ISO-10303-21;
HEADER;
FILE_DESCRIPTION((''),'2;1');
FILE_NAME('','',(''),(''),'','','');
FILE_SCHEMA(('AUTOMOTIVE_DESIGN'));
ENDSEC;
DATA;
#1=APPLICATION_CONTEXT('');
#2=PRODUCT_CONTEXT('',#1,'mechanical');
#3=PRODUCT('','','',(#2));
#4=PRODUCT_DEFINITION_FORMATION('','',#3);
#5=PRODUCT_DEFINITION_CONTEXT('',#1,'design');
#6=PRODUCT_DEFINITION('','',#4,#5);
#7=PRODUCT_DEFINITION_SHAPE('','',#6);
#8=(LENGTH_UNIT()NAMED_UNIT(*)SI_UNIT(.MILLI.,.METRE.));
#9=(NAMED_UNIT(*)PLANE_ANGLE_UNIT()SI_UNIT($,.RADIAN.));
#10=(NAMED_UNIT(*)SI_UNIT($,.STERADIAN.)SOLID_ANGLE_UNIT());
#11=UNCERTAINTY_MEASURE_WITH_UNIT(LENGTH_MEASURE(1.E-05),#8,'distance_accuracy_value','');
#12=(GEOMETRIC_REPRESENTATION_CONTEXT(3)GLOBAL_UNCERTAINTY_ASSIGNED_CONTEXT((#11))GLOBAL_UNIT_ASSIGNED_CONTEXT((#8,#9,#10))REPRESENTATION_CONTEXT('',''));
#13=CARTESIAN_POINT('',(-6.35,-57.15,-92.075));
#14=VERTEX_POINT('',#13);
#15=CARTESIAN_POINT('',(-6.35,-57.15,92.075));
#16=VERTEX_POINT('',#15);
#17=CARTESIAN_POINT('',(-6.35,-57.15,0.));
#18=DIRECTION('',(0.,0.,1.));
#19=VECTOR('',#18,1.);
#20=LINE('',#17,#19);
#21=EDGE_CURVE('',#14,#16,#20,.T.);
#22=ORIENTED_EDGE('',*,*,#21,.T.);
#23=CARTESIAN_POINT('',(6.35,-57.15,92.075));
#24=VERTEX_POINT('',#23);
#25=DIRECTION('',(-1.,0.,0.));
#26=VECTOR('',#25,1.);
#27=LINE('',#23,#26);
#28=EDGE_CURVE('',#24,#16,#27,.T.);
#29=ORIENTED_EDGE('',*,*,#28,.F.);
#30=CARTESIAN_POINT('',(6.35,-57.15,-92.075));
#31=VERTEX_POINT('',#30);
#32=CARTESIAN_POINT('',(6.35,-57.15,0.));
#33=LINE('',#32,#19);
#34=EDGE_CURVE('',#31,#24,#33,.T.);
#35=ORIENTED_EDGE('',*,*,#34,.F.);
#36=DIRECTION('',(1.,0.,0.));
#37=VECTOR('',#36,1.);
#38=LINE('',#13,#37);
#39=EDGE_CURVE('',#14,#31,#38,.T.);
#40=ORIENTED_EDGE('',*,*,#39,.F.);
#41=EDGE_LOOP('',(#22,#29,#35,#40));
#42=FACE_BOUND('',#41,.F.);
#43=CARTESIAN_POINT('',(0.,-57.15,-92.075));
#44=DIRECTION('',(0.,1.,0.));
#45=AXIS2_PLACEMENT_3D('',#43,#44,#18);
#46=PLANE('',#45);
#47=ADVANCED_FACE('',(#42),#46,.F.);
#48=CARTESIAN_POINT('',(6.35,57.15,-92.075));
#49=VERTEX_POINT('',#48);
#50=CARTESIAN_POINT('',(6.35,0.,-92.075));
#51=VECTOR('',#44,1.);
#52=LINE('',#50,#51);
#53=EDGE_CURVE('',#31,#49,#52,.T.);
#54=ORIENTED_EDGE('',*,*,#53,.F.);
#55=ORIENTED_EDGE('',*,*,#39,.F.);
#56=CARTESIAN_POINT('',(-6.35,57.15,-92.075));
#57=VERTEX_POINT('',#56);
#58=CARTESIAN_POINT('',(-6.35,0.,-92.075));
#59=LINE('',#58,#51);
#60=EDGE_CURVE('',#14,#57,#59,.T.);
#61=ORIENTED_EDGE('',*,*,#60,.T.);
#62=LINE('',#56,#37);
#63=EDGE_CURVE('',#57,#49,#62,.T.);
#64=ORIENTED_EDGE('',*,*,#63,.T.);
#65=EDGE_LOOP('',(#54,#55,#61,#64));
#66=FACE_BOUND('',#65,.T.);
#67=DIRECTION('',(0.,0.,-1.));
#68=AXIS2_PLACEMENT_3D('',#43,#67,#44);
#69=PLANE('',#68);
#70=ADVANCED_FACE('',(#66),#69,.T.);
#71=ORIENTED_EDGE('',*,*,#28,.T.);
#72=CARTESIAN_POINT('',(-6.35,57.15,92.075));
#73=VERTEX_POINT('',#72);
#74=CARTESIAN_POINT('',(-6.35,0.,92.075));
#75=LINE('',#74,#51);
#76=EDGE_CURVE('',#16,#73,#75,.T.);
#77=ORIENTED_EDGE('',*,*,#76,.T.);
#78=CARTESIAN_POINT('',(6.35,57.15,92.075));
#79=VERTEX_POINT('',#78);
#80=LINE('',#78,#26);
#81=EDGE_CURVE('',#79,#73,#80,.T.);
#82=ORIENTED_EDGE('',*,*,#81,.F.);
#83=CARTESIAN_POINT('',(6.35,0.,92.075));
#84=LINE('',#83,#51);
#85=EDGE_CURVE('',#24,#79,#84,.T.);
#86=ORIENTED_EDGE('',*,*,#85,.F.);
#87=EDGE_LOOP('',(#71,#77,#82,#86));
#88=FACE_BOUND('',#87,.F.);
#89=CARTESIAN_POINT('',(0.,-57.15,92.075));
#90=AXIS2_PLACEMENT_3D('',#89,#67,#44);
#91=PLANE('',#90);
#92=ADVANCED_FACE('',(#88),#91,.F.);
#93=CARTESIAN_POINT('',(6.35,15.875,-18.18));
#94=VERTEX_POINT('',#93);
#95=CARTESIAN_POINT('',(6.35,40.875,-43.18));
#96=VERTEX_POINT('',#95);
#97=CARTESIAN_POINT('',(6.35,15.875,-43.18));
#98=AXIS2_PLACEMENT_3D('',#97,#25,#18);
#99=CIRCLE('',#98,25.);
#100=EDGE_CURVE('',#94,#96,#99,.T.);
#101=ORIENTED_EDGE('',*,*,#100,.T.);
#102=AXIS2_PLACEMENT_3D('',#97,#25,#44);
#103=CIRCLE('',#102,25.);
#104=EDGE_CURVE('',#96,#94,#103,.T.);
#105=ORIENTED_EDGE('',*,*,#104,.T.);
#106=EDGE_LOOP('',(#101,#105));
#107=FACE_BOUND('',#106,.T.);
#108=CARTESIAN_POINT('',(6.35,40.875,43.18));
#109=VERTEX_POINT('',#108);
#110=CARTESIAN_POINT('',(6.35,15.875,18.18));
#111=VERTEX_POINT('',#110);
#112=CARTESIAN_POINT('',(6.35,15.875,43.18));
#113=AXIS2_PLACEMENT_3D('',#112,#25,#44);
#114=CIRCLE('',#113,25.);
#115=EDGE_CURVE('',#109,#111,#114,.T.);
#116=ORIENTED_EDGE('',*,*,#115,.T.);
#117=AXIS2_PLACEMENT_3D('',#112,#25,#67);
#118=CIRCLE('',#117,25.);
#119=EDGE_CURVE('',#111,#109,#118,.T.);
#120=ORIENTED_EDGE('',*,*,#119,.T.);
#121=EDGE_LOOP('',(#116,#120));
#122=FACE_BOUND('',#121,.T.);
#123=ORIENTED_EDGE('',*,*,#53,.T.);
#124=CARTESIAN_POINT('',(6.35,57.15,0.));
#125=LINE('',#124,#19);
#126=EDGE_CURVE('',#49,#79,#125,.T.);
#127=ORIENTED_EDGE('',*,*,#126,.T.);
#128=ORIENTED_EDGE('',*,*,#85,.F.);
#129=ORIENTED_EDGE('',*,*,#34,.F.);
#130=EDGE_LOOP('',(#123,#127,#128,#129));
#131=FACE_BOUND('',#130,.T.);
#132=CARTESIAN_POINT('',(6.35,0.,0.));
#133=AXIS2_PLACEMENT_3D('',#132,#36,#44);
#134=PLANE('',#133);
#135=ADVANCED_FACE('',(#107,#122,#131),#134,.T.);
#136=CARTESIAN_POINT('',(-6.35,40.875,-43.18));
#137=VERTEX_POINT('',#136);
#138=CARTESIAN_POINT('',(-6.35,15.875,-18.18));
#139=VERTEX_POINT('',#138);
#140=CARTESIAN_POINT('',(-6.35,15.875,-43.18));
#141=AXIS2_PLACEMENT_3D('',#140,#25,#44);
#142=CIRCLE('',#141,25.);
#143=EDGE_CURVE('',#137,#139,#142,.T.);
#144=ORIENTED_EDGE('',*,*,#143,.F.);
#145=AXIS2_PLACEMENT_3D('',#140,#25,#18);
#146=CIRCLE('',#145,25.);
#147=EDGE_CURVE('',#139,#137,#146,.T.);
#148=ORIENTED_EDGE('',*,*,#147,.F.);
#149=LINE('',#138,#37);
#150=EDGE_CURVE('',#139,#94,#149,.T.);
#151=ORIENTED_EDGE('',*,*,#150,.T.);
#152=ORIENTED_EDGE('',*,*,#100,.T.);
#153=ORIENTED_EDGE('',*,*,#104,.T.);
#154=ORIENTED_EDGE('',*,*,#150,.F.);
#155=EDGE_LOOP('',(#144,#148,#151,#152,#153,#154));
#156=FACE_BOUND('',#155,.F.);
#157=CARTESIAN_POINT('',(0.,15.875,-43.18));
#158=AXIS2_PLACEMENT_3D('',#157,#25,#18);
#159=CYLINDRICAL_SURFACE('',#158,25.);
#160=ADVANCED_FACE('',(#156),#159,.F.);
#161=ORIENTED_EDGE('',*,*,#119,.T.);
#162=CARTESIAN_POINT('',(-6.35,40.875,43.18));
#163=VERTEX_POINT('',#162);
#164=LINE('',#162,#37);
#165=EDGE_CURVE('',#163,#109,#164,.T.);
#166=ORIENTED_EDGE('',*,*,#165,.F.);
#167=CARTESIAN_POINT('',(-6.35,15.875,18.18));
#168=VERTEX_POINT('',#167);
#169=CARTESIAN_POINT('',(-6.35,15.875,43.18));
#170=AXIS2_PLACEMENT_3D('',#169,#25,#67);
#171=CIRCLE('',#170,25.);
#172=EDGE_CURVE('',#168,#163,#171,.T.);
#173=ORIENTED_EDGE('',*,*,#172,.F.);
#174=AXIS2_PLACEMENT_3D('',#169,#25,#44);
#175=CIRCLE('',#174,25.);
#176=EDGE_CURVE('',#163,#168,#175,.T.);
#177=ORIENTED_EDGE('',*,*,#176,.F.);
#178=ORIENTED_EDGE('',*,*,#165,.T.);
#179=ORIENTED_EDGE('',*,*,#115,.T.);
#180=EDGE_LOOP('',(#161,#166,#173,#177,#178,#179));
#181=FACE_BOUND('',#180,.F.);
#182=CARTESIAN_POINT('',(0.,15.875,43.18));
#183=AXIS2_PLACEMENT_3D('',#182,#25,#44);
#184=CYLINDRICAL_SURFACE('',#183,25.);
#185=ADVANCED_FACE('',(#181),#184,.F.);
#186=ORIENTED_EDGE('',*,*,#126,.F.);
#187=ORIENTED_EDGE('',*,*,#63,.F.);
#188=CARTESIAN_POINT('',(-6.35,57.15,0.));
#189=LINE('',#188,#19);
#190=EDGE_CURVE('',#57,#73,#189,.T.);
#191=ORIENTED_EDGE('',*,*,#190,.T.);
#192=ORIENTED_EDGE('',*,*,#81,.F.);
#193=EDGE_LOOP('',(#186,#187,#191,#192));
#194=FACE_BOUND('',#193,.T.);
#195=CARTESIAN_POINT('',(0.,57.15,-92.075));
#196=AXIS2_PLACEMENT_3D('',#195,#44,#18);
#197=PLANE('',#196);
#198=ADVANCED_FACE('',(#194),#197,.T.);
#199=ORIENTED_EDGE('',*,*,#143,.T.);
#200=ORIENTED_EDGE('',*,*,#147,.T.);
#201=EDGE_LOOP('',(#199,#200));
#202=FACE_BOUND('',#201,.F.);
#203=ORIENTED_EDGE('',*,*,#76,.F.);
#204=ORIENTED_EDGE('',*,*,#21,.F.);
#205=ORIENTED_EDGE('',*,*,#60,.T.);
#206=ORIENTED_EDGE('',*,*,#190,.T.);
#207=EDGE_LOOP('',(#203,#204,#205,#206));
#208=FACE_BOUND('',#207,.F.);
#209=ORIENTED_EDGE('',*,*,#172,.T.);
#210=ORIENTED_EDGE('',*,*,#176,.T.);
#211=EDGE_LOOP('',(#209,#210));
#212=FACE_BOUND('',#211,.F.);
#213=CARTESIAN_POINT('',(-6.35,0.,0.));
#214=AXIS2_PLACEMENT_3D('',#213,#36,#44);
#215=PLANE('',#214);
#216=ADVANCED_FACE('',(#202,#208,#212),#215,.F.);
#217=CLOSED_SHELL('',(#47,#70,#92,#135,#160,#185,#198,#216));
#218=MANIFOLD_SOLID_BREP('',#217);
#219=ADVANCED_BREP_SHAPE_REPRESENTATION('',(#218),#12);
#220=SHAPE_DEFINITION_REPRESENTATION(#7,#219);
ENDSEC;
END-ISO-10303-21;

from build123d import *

# Parameters (mm, degrees)
F0_W     = 114.3
F0_H     = 184.15
F1_DEPTH = 6.35


with BuildPart() as f1:
    # F0 (on Right) → F1 (new body, symmetric)
    with BuildSketch(Plane.YZ):
        Rectangle(F0_W, F0_H)
        with BuildLine():
            ThreePointArc((15.875, -18.18), (33.5526695297, -25.5023304703), (40.875, -43.18))
            ThreePointArc((40.875, -43.18), (-1.8026695297, -60.8576695297), (15.875, -18.18))
        make_face(mode=Mode.SUBTRACT)
        with BuildLine():
            ThreePointArc((40.875, 43.18), (33.5526695297, 25.5023304703), (15.875, 18.18))
            ThreePointArc((15.875, 18.18), (-1.8026695297, 60.8576695297), (40.875, 43.18))
        make_face(mode=Mode.SUBTRACT)
    extrude(amount=F1_DEPTH, both=True)


solid = f1.part
